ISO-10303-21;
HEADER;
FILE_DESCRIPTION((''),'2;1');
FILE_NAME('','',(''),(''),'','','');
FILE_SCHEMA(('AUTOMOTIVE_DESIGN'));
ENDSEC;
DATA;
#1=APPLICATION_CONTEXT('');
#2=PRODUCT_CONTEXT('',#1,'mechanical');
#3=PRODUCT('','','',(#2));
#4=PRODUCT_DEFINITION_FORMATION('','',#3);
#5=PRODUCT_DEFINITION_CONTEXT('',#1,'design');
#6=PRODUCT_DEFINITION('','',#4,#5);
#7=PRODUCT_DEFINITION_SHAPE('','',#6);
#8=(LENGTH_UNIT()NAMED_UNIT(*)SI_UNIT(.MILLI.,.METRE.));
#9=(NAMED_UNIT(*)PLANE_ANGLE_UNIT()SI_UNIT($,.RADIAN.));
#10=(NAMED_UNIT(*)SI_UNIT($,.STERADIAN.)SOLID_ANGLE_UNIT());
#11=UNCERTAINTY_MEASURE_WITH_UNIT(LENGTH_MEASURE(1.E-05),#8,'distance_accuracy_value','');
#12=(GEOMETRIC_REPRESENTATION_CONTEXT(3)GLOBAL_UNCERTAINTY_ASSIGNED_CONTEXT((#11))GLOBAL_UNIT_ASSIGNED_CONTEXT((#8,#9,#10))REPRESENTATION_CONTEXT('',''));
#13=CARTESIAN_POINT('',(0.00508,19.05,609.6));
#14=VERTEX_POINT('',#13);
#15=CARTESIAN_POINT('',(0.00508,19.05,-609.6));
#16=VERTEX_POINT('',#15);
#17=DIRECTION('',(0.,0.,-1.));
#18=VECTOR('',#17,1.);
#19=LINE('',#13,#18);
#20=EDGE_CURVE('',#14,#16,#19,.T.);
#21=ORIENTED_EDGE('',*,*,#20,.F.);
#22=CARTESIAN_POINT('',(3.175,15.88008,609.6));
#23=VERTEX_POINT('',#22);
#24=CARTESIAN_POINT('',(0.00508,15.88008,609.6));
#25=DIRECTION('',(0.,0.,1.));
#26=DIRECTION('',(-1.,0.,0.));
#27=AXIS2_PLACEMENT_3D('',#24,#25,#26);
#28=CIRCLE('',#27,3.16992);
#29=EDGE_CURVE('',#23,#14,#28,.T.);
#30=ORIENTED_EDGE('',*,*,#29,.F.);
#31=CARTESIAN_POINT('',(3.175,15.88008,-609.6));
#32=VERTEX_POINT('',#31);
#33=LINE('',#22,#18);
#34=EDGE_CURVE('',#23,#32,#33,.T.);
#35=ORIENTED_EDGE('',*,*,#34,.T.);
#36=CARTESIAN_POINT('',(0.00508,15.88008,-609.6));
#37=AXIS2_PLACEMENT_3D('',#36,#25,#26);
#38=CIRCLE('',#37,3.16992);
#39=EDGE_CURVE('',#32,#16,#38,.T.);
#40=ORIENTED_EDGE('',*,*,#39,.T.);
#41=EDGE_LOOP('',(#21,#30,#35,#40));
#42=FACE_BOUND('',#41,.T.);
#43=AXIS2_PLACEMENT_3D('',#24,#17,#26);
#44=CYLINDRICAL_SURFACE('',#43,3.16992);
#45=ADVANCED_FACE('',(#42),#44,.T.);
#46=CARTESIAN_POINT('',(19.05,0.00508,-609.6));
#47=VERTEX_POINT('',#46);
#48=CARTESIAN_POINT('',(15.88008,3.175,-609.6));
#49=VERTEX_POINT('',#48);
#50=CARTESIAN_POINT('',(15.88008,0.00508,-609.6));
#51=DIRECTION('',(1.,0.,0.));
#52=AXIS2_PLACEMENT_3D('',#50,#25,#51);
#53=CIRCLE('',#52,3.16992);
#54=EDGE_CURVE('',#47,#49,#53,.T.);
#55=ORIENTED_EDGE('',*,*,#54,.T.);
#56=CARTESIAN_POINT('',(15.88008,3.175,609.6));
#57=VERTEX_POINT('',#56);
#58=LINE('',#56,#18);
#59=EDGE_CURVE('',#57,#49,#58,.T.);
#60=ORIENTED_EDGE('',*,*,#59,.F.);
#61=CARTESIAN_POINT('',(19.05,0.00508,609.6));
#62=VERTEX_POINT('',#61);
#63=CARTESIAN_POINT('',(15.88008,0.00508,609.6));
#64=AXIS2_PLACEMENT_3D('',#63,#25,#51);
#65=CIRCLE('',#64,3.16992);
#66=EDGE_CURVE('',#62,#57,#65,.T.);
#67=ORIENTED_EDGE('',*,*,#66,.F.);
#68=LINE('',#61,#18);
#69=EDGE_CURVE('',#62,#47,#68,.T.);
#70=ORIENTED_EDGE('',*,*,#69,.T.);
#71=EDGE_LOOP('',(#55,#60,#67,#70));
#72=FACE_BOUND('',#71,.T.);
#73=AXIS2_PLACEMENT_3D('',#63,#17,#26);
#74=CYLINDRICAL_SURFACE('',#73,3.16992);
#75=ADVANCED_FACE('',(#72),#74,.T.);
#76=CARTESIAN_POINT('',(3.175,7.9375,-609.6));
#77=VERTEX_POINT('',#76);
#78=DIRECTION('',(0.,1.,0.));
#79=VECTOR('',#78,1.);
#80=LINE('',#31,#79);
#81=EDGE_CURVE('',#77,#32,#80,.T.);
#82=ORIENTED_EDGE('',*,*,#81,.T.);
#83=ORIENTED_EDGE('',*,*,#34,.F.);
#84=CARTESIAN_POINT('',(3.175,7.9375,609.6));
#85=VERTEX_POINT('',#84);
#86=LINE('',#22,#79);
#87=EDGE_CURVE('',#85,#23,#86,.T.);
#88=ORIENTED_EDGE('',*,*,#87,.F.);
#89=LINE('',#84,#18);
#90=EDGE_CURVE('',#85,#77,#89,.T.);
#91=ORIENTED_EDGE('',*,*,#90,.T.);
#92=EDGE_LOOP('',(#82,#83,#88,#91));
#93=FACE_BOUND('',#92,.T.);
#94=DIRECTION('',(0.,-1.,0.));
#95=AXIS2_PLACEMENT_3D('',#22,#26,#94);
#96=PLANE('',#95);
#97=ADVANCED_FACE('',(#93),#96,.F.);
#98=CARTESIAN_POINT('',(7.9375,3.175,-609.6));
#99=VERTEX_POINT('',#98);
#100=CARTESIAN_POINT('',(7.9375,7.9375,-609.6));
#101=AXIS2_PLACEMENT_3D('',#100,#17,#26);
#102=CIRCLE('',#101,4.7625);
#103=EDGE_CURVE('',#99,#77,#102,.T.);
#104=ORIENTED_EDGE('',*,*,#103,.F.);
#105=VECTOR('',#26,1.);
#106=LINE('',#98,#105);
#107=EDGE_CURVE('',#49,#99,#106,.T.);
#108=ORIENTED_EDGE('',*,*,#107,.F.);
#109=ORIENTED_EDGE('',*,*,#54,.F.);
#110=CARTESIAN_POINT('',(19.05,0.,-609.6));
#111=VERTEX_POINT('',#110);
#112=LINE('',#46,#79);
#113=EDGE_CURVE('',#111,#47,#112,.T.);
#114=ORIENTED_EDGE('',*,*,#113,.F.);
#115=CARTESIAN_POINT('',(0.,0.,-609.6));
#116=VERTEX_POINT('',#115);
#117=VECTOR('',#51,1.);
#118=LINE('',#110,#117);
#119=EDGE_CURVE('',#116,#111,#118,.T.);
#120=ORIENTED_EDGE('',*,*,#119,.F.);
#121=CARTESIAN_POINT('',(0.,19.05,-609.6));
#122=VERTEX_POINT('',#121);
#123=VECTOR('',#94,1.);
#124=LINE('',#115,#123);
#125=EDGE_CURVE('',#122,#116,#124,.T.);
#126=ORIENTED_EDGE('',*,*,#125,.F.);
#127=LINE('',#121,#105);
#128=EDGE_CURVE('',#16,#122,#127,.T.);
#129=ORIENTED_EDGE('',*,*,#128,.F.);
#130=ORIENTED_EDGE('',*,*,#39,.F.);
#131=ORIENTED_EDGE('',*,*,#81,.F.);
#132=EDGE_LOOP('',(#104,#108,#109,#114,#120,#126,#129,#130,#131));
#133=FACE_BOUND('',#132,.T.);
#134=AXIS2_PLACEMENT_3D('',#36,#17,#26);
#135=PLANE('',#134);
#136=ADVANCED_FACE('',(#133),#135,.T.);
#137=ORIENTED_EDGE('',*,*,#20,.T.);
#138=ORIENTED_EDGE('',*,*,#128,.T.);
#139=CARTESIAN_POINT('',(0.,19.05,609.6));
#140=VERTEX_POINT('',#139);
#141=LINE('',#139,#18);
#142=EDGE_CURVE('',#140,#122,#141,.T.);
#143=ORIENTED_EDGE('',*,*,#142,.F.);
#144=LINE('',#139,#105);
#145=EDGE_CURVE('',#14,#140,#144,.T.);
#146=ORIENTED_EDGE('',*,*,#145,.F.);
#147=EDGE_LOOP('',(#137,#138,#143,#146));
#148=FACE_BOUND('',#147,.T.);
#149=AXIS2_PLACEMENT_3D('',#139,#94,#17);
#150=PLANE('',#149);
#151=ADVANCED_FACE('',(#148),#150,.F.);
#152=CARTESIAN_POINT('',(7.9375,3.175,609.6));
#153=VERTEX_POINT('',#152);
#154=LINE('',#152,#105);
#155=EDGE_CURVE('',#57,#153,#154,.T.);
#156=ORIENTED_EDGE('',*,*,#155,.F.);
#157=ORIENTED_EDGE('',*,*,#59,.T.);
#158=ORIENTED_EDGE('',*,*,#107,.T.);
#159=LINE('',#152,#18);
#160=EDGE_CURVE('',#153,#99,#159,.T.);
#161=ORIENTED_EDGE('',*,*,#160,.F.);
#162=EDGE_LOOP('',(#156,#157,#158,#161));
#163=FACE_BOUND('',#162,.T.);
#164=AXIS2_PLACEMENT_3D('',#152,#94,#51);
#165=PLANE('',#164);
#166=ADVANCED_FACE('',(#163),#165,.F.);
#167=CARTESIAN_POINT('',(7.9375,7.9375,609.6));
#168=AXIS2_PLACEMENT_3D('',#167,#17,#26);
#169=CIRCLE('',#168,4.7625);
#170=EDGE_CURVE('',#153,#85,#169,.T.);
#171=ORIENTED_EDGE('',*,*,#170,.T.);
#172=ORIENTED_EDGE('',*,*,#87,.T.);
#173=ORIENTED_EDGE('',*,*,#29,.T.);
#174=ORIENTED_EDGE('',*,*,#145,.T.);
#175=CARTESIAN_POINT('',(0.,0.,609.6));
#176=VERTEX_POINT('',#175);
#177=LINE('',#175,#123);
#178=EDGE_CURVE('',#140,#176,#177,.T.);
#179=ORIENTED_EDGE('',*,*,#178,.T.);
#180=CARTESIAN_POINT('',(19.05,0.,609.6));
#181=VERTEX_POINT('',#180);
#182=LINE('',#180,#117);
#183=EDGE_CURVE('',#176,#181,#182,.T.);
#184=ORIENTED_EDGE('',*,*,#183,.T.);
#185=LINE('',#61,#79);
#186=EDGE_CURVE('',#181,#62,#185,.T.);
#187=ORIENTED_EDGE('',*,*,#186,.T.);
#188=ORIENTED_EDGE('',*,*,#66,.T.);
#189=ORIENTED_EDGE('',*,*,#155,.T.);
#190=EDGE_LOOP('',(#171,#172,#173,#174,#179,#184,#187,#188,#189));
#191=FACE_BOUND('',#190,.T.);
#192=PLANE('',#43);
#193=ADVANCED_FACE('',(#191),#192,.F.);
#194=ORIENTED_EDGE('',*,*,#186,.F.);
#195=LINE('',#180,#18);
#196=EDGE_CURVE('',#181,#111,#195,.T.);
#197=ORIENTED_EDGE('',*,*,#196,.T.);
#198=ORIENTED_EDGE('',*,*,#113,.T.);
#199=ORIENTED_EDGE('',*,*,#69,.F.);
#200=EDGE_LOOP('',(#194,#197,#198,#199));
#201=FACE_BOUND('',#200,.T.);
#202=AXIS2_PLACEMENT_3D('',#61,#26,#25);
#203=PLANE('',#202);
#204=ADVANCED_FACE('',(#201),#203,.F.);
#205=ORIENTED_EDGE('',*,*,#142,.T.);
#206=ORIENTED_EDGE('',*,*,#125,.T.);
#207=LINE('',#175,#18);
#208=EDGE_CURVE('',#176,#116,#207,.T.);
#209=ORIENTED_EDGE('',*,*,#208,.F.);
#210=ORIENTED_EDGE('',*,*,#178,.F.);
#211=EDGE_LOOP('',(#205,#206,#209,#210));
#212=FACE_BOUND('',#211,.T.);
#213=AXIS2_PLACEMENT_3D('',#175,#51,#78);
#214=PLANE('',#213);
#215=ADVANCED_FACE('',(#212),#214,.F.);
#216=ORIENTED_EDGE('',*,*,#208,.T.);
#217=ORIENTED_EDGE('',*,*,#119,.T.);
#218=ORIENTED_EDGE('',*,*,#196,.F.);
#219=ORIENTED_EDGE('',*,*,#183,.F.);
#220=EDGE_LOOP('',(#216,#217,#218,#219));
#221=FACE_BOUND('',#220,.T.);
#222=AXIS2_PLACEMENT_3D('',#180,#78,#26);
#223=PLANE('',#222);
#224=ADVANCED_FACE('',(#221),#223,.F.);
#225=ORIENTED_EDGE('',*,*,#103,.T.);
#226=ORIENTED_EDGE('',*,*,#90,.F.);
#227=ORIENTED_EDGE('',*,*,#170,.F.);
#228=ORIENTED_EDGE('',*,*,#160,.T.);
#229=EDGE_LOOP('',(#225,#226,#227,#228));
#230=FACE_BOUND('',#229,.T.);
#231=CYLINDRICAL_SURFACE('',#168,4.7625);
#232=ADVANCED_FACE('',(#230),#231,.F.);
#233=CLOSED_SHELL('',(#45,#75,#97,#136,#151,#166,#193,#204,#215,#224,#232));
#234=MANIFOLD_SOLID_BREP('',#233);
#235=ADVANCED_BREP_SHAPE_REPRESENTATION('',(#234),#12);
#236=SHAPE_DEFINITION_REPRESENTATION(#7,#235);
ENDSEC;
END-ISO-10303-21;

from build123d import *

# Parameters (mm, degrees)
BOSS_EXTRUDE1_DEPTH = 609.6


with BuildPart() as part:
    # Sketch1 → Boss-Extrude1 (new body, symmetric)
    with BuildSketch(Plane.XY):
        with BuildLine():
            Line((0, 0), (0, 19.05))
            Line((0, 19.05), (0.00508, 19.05))
            ThreePointArc((0.00508, 19.05), (2.246551928, 18.121551928), (3.175, 15.88008))
            Line((3.175, 15.88008), (3.175, 7.9375))
            ThreePointArc((3.175, 7.9375), (4.569903955, 4.569903955), (7.9375, 3.175))
            Line((7.9375, 3.175), (15.88008, 3.175))
            ThreePointArc((15.88008, 3.175), (18.121551928, 2.246551928), (19.05, 0.00508))
            Line((19.05, 0.00508), (19.05, 0))
            Line((19.05, 0), (0, 0))
        make_face()
    extrude(amount=BOSS_EXTRUDE1_DEPTH, both=True)


solid = part.part
